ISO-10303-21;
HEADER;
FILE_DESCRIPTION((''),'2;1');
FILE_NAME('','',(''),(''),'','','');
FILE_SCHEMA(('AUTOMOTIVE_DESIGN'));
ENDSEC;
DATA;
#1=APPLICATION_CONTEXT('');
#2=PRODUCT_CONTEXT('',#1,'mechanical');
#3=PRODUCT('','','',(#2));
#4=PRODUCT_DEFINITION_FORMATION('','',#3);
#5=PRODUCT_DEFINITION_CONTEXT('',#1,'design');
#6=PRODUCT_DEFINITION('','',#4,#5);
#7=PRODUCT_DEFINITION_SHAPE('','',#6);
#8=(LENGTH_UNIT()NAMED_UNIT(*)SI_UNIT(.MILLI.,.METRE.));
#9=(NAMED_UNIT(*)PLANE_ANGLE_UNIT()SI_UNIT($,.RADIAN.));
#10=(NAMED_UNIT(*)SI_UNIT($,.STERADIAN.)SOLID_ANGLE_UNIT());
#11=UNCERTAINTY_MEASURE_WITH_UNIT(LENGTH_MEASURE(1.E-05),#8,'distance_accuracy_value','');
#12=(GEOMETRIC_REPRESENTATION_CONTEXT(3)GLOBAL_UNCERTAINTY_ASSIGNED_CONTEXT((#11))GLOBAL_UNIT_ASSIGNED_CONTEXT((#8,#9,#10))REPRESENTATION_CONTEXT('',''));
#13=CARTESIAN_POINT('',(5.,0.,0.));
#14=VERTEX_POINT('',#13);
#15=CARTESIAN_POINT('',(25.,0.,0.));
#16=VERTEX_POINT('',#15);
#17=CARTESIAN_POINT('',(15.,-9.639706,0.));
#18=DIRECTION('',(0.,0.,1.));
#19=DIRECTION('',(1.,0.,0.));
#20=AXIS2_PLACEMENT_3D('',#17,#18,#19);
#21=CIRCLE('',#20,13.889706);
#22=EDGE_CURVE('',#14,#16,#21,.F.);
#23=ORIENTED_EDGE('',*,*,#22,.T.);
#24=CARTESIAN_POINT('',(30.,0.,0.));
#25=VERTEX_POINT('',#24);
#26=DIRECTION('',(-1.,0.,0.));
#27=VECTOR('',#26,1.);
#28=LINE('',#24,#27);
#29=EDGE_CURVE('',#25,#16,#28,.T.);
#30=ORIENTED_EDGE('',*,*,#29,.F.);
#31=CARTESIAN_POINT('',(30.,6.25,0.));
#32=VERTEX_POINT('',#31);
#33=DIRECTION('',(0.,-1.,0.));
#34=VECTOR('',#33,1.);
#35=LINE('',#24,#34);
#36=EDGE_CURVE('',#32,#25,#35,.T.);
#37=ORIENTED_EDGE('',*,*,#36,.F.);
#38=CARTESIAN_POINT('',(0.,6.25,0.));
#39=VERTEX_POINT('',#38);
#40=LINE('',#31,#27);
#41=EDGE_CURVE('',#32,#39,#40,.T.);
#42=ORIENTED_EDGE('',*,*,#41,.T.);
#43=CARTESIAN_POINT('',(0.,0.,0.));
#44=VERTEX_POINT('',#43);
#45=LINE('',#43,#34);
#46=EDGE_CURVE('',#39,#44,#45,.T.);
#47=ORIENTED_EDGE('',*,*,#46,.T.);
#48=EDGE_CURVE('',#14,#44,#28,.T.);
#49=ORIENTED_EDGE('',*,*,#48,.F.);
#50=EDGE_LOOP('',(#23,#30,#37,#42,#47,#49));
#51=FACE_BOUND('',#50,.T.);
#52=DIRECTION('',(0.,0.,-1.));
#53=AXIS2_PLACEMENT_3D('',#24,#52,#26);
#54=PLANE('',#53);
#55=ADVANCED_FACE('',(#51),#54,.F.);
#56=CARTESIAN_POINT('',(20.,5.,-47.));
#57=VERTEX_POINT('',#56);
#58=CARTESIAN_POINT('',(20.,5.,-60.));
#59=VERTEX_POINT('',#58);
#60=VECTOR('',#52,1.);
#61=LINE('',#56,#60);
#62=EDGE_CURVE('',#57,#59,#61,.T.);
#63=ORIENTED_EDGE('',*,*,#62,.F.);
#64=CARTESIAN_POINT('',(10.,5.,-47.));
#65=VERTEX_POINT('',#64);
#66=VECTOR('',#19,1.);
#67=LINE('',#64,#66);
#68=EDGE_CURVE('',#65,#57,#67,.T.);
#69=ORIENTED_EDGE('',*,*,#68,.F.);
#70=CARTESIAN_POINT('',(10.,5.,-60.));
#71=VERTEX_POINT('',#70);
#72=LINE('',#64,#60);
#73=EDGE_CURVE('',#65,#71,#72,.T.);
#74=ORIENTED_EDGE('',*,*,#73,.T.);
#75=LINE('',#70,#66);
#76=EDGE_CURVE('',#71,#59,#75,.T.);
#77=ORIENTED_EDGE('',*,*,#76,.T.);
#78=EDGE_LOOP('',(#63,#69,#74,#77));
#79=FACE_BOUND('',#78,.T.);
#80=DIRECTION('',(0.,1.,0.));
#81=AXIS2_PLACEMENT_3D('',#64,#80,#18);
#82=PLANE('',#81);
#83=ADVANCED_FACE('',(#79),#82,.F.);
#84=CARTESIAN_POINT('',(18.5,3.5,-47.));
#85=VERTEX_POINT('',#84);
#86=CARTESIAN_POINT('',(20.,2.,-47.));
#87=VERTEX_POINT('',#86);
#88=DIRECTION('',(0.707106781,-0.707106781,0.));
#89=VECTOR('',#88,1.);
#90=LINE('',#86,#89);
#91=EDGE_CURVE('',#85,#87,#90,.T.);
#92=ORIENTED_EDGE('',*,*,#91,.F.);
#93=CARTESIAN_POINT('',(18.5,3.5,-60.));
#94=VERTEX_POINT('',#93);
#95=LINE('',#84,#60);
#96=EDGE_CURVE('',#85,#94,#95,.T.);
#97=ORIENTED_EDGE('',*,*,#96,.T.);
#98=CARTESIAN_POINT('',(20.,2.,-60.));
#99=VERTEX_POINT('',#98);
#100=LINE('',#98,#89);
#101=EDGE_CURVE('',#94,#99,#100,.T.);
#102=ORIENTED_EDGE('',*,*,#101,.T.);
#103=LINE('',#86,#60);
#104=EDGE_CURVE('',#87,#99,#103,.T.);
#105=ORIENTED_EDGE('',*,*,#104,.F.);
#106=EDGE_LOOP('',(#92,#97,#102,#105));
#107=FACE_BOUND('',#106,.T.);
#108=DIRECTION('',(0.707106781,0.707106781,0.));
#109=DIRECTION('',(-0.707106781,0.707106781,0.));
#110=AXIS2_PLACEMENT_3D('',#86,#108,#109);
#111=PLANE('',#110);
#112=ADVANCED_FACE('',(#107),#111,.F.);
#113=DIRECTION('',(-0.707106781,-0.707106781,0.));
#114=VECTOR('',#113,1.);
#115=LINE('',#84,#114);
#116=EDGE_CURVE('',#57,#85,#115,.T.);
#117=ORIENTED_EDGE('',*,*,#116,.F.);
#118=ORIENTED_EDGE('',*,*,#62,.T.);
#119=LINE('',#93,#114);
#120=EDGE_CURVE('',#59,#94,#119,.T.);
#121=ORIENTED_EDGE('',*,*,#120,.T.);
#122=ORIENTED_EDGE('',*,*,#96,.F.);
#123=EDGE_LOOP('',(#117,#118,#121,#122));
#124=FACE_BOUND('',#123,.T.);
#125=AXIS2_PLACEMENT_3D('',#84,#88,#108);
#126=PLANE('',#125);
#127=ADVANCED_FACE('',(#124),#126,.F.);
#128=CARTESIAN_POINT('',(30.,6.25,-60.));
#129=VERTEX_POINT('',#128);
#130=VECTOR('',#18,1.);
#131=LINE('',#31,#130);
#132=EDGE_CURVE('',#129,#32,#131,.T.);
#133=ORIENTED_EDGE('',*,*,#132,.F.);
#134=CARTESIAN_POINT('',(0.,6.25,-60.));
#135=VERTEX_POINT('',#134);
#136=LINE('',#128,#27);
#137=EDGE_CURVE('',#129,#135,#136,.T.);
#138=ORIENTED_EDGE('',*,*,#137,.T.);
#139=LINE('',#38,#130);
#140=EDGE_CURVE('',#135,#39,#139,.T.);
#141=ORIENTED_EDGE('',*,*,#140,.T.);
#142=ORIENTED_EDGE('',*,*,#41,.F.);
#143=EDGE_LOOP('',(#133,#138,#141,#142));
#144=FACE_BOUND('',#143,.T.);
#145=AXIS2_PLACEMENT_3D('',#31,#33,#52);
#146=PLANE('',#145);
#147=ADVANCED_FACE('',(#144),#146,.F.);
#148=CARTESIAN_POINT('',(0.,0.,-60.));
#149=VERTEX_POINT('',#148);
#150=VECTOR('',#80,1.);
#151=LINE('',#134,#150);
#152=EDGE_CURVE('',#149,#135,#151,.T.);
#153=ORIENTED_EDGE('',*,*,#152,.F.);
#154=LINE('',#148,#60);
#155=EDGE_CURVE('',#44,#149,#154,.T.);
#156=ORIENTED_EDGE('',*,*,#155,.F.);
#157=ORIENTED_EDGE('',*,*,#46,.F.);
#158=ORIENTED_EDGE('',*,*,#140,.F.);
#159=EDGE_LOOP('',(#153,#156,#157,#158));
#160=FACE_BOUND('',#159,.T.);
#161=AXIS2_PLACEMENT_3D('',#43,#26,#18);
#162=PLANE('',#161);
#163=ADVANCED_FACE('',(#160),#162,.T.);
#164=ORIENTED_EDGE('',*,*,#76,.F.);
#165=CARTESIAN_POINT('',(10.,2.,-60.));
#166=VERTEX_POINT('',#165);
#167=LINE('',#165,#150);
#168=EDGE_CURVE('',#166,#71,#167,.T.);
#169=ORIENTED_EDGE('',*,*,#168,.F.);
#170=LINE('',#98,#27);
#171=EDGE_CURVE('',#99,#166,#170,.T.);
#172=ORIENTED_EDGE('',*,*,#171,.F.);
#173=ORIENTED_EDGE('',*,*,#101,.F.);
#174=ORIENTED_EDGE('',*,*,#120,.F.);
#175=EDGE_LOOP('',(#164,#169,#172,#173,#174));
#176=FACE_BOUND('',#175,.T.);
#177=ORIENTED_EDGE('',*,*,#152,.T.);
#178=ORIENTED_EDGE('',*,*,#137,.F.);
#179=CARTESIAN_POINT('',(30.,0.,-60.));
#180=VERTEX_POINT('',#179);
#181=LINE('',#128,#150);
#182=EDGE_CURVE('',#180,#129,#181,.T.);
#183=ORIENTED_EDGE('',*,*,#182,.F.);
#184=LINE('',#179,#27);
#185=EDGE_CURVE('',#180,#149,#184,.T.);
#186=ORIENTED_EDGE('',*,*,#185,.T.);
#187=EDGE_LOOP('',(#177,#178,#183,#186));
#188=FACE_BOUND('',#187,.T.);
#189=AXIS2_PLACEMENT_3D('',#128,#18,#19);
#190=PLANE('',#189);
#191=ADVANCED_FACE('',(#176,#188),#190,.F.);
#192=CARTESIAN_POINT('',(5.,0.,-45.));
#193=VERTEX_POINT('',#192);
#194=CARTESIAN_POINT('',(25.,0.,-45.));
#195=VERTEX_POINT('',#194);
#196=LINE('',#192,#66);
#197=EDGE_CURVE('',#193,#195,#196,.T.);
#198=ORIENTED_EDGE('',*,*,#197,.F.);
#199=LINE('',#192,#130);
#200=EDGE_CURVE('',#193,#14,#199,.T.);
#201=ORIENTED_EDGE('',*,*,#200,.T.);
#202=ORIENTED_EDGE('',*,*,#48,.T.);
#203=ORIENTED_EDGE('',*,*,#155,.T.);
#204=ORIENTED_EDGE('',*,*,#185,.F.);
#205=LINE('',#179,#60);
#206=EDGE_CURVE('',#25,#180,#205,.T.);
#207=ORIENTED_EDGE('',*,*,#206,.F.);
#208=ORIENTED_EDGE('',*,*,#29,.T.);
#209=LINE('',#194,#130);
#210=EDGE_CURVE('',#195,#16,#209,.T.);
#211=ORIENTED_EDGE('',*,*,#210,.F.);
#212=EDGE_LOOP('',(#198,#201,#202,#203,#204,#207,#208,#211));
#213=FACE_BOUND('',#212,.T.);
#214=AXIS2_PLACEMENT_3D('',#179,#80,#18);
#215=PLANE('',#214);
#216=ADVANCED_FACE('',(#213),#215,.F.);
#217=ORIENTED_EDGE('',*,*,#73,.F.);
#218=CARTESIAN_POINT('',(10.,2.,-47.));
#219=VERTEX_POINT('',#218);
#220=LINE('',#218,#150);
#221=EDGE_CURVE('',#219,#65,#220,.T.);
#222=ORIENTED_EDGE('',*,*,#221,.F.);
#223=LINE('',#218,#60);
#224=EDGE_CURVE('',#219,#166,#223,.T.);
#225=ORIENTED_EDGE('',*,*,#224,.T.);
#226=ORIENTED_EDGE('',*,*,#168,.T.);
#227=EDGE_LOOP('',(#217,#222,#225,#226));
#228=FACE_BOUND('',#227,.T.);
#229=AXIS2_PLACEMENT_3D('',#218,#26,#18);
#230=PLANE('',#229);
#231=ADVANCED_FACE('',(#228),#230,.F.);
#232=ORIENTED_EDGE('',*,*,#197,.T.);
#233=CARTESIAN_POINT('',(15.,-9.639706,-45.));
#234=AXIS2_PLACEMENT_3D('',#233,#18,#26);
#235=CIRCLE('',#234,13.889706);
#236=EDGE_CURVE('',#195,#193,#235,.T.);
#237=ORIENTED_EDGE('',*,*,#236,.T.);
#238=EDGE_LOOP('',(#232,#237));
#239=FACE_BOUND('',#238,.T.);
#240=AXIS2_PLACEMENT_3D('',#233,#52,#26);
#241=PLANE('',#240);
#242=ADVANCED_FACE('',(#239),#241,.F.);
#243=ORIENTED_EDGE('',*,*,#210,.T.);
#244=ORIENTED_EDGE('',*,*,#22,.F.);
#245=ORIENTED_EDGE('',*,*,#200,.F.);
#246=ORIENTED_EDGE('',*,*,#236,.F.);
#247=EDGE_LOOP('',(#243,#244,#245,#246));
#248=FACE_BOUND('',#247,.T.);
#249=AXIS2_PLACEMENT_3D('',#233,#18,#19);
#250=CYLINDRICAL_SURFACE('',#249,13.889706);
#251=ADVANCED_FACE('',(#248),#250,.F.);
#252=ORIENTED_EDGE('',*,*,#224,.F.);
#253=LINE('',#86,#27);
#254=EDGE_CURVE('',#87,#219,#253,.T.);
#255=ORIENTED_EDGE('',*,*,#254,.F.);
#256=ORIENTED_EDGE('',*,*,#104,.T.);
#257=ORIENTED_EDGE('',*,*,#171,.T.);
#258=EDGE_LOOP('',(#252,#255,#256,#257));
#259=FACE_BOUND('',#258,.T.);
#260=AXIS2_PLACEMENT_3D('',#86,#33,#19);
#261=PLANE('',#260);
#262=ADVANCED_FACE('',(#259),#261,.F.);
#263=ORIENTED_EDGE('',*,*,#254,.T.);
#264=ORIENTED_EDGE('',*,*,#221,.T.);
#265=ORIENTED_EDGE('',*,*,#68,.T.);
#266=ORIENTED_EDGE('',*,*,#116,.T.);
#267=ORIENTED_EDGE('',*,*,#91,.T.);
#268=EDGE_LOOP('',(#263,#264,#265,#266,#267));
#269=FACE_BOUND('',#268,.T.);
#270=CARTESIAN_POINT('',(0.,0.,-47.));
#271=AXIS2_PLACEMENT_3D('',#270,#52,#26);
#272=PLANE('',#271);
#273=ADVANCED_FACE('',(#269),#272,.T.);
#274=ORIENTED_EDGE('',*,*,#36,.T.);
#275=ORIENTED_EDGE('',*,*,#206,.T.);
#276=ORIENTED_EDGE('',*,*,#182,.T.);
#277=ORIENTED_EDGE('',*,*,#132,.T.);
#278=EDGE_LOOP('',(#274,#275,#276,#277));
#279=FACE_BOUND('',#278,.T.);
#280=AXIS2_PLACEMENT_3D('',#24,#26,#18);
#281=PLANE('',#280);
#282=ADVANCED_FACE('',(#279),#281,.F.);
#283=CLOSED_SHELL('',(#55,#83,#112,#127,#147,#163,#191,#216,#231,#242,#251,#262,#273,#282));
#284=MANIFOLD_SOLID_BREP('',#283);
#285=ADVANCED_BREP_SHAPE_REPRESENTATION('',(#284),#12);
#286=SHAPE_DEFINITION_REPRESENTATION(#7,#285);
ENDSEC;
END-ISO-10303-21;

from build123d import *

# Parameters (mm, degrees)
SKETCH1_W               = 60
SKETCH1_H               = 6.25
BOSS_EXTRUDE1_DEPTH     = 30
CUT_EXTRUDE1_DEPTH      = 68.372564891
CUT_EXTRUDE1_DEPTH_BACK = 45
CUT_EXTRUDE2_DEPTH      = 13


with BuildPart() as part:
    # Sketch1 → Boss-Extrude1 (new body)
    with BuildSketch(Plane(origin=(0, 0, 0), x_dir=(0, 0, -1), z_dir=(1, 0, 0))):
        with Locations((30, 3.125)):
            Rectangle(SKETCH1_W, SKETCH1_H)
    extrude(amount=BOSS_EXTRUDE1_DEPTH)

    # Sketch2 → Cut-Extrude1 (cut, two sides: drawn at the far end of the back side and taken through both)
    with BuildSketch(Plane.XY.offset(-CUT_EXTRUDE1_DEPTH_BACK)):
        with BuildLine():
            Line((5, 0), (25, 0))
            ThreePointArc((25, 0), (15, 4.25), (5, 0))
        make_face()
    extrude(amount=CUT_EXTRUDE1_DEPTH + CUT_EXTRUDE1_DEPTH_BACK, mode=Mode.SUBTRACT)

    # Sketch3 → Cut-Extrude2 (cut)
    with BuildSketch(Plane(origin=(0, 0, -60), x_dir=(-1, 0, 0), z_dir=(0, 0, -1))):
        Polygon((-10, 2), (-10, 5), (-20, 5), (-18.5, 3.5), (-20, 2), align=None)
    extrude(amount=-CUT_EXTRUDE2_DEPTH, mode=Mode.SUBTRACT)


solid = part.part
